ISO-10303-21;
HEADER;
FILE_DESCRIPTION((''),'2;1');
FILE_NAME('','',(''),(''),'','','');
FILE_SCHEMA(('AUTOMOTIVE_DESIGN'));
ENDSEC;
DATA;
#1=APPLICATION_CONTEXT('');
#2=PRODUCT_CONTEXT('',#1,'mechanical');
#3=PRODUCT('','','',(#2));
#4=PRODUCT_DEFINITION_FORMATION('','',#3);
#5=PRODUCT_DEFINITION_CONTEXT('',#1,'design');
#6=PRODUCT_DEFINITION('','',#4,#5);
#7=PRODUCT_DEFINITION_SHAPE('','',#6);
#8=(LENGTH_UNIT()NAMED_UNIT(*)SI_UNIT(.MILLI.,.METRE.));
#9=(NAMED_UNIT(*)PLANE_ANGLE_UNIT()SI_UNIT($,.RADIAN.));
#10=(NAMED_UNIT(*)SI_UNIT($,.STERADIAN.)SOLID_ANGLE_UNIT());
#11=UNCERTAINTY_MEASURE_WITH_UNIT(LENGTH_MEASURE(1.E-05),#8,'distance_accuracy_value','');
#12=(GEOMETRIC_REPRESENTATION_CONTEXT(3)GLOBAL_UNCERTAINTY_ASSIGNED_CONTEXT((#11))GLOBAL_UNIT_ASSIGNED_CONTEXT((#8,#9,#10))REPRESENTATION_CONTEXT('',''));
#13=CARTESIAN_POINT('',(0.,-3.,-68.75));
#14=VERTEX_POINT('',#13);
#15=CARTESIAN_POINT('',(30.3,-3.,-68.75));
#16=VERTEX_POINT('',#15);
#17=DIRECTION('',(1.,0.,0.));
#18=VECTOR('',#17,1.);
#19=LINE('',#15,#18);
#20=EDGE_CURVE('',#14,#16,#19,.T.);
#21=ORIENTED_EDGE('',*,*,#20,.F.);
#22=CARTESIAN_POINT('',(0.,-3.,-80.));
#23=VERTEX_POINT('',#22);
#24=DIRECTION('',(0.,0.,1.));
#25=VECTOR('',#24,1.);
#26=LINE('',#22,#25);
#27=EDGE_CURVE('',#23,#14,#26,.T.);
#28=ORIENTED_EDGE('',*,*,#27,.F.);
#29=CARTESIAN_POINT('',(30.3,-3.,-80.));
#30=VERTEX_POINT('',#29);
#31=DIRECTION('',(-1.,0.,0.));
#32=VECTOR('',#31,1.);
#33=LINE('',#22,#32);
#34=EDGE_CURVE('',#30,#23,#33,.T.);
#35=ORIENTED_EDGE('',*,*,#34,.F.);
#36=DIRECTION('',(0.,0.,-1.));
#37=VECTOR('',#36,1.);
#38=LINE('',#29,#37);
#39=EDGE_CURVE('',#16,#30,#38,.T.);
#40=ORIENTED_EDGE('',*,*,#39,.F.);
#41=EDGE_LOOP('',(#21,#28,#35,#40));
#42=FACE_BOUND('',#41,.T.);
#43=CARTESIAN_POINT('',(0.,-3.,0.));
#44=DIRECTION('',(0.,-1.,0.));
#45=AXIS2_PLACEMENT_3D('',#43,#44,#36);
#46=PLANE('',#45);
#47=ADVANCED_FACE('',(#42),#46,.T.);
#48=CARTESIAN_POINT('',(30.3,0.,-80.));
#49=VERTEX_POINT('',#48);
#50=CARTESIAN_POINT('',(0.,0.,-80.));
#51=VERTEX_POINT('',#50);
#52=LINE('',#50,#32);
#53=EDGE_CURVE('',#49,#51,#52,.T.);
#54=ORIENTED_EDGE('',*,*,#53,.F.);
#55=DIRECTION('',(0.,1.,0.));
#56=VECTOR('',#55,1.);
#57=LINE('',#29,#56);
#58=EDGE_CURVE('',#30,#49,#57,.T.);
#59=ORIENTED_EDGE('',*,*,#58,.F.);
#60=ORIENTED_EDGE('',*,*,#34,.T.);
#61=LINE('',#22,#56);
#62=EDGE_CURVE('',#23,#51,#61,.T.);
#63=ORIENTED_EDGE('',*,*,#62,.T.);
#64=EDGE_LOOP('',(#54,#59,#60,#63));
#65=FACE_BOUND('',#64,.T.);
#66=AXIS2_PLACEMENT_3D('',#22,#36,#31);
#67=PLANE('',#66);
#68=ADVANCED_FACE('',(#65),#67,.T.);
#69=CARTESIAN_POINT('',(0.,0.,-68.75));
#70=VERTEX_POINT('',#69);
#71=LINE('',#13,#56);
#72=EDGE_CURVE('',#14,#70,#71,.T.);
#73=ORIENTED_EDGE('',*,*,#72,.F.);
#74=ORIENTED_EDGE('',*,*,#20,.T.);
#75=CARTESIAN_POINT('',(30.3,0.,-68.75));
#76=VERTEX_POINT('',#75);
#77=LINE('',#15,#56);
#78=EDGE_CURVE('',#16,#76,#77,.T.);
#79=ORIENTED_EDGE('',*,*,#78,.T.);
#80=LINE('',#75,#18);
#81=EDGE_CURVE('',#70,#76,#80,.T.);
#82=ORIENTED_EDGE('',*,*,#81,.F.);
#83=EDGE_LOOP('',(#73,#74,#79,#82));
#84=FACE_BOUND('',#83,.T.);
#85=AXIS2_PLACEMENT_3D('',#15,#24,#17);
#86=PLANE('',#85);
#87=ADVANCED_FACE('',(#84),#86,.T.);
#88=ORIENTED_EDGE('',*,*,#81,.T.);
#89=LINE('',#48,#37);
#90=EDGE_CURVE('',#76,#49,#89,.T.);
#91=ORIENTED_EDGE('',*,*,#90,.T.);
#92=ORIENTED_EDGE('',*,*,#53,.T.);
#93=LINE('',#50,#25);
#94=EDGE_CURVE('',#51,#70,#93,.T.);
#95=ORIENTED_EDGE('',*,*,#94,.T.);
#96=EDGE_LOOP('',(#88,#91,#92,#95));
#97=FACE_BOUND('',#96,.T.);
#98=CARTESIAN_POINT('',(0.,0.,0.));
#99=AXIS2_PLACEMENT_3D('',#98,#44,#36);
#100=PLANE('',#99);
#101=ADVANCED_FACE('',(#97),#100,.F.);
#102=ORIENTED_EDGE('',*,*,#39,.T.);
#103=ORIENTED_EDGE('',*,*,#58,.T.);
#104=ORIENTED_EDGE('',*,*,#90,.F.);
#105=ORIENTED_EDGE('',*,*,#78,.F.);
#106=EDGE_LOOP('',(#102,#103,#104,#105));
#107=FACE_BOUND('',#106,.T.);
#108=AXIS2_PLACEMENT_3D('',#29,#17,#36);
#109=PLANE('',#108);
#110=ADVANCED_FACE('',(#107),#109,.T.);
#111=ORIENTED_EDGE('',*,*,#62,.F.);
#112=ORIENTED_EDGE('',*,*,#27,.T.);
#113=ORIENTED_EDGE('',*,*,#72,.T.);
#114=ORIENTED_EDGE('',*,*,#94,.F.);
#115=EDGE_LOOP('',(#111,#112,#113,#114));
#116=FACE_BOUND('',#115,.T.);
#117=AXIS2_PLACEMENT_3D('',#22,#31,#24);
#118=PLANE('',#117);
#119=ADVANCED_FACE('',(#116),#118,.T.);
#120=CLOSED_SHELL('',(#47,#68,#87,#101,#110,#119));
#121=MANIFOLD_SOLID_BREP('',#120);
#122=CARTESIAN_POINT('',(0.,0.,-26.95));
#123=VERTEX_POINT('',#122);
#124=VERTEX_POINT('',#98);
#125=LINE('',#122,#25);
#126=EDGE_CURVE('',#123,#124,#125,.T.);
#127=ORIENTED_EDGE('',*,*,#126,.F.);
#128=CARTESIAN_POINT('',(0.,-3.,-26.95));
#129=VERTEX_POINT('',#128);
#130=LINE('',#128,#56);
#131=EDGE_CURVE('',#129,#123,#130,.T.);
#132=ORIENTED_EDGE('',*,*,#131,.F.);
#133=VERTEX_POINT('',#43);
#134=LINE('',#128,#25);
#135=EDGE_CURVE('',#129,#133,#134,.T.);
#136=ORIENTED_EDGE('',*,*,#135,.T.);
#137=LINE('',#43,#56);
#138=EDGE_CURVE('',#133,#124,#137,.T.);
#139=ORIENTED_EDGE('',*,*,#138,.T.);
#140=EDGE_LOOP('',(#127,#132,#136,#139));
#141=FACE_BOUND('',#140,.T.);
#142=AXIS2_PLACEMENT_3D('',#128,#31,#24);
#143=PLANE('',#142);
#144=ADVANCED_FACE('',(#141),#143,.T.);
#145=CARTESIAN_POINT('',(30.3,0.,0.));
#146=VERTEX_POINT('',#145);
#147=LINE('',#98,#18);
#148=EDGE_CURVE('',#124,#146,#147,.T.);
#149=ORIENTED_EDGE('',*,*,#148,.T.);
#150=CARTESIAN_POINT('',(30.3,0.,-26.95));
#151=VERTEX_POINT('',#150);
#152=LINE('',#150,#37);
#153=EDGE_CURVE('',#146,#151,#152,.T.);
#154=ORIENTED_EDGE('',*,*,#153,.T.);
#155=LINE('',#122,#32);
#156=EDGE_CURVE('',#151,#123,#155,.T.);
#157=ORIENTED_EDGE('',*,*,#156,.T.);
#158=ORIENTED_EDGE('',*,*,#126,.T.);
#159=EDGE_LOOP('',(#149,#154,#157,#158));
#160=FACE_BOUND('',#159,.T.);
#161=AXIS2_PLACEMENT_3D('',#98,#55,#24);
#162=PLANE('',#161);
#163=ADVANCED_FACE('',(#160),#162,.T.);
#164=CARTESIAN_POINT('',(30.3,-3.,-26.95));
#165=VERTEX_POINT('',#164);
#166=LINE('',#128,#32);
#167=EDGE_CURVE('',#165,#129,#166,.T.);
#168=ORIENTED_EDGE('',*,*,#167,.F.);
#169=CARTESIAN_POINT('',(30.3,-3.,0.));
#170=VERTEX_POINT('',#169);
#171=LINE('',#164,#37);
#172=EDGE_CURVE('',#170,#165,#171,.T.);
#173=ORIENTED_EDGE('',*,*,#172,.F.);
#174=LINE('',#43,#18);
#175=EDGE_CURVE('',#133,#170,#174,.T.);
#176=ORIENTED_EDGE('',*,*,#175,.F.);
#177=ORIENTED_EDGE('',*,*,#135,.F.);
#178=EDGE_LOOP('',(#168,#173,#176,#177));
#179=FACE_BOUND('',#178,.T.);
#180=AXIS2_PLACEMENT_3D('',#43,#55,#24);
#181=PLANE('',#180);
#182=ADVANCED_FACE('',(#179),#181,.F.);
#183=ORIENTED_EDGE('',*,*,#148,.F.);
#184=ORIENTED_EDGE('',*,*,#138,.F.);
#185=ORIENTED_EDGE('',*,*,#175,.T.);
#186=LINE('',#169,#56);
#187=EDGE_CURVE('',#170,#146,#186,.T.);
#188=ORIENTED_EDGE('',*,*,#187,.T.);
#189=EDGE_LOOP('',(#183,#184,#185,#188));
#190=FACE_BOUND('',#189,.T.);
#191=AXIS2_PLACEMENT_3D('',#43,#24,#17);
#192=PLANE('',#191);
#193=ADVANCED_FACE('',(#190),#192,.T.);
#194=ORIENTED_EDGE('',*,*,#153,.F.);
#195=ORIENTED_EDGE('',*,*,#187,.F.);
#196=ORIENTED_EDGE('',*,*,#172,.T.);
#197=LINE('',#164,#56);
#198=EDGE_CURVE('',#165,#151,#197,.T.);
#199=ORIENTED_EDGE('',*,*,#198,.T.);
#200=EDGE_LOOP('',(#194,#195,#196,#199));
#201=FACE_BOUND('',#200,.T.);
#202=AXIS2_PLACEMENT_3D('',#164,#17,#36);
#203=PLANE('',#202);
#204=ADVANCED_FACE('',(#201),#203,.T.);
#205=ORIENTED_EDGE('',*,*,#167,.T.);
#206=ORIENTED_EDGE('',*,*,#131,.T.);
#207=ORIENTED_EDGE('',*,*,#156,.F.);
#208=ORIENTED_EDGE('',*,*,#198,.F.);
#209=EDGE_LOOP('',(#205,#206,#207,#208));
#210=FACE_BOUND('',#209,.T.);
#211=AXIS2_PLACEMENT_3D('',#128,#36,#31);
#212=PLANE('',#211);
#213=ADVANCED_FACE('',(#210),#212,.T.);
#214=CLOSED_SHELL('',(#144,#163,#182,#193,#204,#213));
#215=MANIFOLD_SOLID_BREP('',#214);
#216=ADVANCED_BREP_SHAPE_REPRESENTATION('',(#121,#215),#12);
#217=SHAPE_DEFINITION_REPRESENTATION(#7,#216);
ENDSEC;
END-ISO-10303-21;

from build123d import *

# Parameters (mm, degrees)
SKETCH1_W             = 30.3
SKETCH1_H             = 26.95
BOSS_EXTRUDE1_DEPTH   = 3
SKETCH1_H_2           = 11.25
BOSS_EXTRUDE1_2_DEPTH = 3


with BuildPart() as part:
    # Sketch1 → Boss-Extrude1 (new body)
    with BuildSketch(Plane(origin=(0, 0, 0), x_dir=(1, 0, 0), z_dir=(0, 1, 0))):
        with Locations((15.15, 13.475)):
            Rectangle(SKETCH1_W, SKETCH1_H)
    extrude(amount=-BOSS_EXTRUDE1_DEPTH)


with BuildPart() as body_2:
    # Sketch1 → Boss-Extrude1 2 (new body)
    with BuildSketch(Plane(origin=(0, 0, 0), x_dir=(1, 0, 0), z_dir=(0, 1, 0))):
        with Locations((15.15, 74.375)):
            Rectangle(SKETCH1_W, SKETCH1_H_2)
    extrude(amount=-BOSS_EXTRUDE1_2_DEPTH)


solid = Compound([part.part, body_2.part])
